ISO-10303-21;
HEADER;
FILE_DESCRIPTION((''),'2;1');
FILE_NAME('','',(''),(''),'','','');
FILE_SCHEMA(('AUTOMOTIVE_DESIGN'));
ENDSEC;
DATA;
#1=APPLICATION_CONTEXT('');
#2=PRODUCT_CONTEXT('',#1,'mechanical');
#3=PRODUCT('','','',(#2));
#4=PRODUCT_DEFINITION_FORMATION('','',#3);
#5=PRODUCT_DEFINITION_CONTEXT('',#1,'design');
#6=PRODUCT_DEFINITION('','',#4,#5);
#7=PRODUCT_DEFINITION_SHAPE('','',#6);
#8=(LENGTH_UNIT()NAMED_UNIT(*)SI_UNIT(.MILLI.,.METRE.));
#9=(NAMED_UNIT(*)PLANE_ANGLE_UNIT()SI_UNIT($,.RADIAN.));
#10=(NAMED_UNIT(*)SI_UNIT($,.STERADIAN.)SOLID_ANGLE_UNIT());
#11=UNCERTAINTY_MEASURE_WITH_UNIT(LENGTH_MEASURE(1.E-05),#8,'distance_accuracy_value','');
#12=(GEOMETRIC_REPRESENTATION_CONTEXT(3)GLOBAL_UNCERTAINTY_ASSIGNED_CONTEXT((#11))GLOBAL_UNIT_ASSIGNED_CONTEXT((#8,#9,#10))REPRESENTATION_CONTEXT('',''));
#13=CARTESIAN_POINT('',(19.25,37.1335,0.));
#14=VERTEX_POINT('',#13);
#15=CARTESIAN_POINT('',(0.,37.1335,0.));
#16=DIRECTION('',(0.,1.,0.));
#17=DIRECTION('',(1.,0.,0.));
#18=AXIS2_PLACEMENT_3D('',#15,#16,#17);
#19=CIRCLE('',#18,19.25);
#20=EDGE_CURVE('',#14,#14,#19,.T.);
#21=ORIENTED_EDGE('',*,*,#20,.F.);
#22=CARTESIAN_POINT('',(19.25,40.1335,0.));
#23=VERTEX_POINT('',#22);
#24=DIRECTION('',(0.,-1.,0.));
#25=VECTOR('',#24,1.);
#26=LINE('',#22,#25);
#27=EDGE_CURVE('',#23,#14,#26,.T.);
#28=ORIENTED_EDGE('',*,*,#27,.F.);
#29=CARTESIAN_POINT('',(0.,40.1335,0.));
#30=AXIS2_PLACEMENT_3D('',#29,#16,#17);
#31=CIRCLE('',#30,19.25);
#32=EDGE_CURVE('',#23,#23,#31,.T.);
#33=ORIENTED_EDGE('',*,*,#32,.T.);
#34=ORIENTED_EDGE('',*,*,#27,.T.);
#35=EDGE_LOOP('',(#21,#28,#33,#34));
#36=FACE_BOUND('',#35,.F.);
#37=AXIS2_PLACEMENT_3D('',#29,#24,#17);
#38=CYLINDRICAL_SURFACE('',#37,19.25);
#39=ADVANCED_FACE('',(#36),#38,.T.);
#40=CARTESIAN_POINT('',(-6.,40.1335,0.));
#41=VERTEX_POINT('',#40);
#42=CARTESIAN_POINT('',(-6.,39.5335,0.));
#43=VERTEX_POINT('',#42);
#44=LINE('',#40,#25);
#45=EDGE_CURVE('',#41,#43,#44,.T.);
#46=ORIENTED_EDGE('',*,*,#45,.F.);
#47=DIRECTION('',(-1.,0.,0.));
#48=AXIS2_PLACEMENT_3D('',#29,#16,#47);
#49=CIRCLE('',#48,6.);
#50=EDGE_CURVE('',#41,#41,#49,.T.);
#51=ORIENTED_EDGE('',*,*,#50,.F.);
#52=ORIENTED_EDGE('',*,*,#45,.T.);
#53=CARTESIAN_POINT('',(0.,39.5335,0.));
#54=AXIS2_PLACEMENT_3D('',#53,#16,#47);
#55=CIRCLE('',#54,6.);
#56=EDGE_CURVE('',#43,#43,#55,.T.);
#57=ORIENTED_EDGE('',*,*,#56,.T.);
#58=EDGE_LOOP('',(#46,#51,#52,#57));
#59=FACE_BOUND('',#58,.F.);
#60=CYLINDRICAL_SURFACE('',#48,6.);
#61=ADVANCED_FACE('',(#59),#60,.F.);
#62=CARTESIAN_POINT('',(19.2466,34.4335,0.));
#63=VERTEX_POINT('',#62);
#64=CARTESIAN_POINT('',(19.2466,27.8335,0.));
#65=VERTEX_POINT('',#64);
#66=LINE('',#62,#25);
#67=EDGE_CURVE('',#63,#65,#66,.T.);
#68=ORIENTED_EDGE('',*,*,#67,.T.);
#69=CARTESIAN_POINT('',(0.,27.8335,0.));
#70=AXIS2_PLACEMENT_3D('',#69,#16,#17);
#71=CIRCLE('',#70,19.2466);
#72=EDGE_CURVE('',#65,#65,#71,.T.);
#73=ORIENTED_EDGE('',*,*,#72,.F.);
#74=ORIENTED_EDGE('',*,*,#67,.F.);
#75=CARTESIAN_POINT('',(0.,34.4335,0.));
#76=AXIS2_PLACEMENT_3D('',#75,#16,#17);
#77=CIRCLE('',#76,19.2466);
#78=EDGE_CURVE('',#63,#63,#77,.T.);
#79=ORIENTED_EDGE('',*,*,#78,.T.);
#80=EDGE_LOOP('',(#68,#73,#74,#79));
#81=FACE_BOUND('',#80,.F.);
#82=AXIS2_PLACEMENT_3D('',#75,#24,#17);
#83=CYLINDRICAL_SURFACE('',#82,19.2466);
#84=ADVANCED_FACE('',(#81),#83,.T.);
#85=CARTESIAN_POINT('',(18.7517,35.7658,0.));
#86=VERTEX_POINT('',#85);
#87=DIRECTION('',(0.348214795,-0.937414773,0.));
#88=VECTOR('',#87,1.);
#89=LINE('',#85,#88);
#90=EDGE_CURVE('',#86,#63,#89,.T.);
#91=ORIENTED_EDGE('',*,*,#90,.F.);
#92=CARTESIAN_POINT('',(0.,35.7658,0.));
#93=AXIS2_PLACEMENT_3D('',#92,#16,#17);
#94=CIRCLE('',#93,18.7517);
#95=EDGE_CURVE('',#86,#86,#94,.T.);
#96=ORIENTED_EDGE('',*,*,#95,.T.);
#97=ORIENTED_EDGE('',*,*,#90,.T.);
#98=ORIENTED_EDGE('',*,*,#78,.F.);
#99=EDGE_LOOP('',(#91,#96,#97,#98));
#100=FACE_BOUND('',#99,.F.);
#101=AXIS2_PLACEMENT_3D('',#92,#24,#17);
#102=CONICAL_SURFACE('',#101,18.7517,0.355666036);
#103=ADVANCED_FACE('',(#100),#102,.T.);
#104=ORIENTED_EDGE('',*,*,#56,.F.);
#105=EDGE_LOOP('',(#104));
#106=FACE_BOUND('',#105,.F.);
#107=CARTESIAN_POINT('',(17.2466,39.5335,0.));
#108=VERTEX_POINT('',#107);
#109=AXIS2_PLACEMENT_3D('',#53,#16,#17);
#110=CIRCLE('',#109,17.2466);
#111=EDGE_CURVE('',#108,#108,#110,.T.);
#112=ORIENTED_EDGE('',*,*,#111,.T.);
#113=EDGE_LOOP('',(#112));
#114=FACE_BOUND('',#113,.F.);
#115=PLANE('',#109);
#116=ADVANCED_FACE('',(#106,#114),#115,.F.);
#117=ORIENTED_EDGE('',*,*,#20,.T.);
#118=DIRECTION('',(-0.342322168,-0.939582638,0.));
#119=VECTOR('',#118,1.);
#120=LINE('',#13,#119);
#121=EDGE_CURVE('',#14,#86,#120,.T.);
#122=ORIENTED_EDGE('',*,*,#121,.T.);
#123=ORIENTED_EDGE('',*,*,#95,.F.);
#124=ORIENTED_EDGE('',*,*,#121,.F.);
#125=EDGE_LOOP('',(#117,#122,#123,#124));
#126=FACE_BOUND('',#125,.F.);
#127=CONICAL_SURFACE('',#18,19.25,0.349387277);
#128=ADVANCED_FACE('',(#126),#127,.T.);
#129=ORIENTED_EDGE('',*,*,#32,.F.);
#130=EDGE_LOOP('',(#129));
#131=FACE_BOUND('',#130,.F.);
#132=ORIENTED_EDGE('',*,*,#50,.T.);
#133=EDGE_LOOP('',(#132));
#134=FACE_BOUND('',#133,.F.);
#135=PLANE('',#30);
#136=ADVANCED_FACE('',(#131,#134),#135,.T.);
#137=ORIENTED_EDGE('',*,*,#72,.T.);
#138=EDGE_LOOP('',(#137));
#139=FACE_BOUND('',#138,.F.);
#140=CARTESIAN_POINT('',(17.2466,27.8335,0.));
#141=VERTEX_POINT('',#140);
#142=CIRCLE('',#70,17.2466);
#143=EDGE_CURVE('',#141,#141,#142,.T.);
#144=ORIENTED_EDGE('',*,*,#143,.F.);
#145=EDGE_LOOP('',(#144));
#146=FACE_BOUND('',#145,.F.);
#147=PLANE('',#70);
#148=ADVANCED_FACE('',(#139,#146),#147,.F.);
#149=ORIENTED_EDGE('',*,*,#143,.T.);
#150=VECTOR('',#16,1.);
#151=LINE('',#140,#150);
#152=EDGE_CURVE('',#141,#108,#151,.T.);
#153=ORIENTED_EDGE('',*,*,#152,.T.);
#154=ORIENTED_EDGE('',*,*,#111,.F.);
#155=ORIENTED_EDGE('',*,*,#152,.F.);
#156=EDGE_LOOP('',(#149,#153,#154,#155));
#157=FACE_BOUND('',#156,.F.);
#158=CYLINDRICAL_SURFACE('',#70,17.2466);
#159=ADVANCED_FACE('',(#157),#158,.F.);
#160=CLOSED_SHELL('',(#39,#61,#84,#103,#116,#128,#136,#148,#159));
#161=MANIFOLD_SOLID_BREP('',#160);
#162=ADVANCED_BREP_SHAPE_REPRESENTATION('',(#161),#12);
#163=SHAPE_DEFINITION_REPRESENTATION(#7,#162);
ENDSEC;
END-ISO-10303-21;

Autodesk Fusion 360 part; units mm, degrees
sketch "Sketch1" plane through (0, 0, 0) normal (0, 0, 1) x (1, 0, 0)
  line L0 (0, 40.1335) -> (19.25, 40.1335)
  line L1 (19.25, 40.1335) -> (19.25, 37.1335)
  line L2 (19.25, 37.1335) -> (18.7517, 35.7658)
  line L3 (18.7517, 35.7658) -> (19.2466, 34.4335)
  line L4 (19.2466, 34.4335) -> (19.2466, 27.8335)
  line L5 (19.2466, 27.8335) -> (17.2466, 27.8335)
  line L6 (17.2466, 27.8335) -> (17.2466, 39.5335)
  line L7 (17.2466, 39.5335) -> (0, 39.5335)
  line L8 (0, 39.5335) -> (0, 40.1335)
  dimension "d19" = 19.25
  dimension "d20" = 3
  dimension "d21" = 2.7
  dimension "d22" = 6.6
  dimension "d25" = 2
  dimension "d26" = 11.7
revolve "Revolve1" add sketch "Sketch1" angle 360 about axis through (0, 39.5335, 0) along (0, 1, 0)
sketch "Sketch3" plane through (0, 40.1335, 0) normal (0, 1, 0) x (-1, 0, 0)
  circle A0 centre (0, 0) radius 19.25
  circle A1 centre (0, 0) radius 6
  dimension "d27" = 12
extrude "Extrude2" cut sketch "Sketch3" against normal blind 3 contours A1
